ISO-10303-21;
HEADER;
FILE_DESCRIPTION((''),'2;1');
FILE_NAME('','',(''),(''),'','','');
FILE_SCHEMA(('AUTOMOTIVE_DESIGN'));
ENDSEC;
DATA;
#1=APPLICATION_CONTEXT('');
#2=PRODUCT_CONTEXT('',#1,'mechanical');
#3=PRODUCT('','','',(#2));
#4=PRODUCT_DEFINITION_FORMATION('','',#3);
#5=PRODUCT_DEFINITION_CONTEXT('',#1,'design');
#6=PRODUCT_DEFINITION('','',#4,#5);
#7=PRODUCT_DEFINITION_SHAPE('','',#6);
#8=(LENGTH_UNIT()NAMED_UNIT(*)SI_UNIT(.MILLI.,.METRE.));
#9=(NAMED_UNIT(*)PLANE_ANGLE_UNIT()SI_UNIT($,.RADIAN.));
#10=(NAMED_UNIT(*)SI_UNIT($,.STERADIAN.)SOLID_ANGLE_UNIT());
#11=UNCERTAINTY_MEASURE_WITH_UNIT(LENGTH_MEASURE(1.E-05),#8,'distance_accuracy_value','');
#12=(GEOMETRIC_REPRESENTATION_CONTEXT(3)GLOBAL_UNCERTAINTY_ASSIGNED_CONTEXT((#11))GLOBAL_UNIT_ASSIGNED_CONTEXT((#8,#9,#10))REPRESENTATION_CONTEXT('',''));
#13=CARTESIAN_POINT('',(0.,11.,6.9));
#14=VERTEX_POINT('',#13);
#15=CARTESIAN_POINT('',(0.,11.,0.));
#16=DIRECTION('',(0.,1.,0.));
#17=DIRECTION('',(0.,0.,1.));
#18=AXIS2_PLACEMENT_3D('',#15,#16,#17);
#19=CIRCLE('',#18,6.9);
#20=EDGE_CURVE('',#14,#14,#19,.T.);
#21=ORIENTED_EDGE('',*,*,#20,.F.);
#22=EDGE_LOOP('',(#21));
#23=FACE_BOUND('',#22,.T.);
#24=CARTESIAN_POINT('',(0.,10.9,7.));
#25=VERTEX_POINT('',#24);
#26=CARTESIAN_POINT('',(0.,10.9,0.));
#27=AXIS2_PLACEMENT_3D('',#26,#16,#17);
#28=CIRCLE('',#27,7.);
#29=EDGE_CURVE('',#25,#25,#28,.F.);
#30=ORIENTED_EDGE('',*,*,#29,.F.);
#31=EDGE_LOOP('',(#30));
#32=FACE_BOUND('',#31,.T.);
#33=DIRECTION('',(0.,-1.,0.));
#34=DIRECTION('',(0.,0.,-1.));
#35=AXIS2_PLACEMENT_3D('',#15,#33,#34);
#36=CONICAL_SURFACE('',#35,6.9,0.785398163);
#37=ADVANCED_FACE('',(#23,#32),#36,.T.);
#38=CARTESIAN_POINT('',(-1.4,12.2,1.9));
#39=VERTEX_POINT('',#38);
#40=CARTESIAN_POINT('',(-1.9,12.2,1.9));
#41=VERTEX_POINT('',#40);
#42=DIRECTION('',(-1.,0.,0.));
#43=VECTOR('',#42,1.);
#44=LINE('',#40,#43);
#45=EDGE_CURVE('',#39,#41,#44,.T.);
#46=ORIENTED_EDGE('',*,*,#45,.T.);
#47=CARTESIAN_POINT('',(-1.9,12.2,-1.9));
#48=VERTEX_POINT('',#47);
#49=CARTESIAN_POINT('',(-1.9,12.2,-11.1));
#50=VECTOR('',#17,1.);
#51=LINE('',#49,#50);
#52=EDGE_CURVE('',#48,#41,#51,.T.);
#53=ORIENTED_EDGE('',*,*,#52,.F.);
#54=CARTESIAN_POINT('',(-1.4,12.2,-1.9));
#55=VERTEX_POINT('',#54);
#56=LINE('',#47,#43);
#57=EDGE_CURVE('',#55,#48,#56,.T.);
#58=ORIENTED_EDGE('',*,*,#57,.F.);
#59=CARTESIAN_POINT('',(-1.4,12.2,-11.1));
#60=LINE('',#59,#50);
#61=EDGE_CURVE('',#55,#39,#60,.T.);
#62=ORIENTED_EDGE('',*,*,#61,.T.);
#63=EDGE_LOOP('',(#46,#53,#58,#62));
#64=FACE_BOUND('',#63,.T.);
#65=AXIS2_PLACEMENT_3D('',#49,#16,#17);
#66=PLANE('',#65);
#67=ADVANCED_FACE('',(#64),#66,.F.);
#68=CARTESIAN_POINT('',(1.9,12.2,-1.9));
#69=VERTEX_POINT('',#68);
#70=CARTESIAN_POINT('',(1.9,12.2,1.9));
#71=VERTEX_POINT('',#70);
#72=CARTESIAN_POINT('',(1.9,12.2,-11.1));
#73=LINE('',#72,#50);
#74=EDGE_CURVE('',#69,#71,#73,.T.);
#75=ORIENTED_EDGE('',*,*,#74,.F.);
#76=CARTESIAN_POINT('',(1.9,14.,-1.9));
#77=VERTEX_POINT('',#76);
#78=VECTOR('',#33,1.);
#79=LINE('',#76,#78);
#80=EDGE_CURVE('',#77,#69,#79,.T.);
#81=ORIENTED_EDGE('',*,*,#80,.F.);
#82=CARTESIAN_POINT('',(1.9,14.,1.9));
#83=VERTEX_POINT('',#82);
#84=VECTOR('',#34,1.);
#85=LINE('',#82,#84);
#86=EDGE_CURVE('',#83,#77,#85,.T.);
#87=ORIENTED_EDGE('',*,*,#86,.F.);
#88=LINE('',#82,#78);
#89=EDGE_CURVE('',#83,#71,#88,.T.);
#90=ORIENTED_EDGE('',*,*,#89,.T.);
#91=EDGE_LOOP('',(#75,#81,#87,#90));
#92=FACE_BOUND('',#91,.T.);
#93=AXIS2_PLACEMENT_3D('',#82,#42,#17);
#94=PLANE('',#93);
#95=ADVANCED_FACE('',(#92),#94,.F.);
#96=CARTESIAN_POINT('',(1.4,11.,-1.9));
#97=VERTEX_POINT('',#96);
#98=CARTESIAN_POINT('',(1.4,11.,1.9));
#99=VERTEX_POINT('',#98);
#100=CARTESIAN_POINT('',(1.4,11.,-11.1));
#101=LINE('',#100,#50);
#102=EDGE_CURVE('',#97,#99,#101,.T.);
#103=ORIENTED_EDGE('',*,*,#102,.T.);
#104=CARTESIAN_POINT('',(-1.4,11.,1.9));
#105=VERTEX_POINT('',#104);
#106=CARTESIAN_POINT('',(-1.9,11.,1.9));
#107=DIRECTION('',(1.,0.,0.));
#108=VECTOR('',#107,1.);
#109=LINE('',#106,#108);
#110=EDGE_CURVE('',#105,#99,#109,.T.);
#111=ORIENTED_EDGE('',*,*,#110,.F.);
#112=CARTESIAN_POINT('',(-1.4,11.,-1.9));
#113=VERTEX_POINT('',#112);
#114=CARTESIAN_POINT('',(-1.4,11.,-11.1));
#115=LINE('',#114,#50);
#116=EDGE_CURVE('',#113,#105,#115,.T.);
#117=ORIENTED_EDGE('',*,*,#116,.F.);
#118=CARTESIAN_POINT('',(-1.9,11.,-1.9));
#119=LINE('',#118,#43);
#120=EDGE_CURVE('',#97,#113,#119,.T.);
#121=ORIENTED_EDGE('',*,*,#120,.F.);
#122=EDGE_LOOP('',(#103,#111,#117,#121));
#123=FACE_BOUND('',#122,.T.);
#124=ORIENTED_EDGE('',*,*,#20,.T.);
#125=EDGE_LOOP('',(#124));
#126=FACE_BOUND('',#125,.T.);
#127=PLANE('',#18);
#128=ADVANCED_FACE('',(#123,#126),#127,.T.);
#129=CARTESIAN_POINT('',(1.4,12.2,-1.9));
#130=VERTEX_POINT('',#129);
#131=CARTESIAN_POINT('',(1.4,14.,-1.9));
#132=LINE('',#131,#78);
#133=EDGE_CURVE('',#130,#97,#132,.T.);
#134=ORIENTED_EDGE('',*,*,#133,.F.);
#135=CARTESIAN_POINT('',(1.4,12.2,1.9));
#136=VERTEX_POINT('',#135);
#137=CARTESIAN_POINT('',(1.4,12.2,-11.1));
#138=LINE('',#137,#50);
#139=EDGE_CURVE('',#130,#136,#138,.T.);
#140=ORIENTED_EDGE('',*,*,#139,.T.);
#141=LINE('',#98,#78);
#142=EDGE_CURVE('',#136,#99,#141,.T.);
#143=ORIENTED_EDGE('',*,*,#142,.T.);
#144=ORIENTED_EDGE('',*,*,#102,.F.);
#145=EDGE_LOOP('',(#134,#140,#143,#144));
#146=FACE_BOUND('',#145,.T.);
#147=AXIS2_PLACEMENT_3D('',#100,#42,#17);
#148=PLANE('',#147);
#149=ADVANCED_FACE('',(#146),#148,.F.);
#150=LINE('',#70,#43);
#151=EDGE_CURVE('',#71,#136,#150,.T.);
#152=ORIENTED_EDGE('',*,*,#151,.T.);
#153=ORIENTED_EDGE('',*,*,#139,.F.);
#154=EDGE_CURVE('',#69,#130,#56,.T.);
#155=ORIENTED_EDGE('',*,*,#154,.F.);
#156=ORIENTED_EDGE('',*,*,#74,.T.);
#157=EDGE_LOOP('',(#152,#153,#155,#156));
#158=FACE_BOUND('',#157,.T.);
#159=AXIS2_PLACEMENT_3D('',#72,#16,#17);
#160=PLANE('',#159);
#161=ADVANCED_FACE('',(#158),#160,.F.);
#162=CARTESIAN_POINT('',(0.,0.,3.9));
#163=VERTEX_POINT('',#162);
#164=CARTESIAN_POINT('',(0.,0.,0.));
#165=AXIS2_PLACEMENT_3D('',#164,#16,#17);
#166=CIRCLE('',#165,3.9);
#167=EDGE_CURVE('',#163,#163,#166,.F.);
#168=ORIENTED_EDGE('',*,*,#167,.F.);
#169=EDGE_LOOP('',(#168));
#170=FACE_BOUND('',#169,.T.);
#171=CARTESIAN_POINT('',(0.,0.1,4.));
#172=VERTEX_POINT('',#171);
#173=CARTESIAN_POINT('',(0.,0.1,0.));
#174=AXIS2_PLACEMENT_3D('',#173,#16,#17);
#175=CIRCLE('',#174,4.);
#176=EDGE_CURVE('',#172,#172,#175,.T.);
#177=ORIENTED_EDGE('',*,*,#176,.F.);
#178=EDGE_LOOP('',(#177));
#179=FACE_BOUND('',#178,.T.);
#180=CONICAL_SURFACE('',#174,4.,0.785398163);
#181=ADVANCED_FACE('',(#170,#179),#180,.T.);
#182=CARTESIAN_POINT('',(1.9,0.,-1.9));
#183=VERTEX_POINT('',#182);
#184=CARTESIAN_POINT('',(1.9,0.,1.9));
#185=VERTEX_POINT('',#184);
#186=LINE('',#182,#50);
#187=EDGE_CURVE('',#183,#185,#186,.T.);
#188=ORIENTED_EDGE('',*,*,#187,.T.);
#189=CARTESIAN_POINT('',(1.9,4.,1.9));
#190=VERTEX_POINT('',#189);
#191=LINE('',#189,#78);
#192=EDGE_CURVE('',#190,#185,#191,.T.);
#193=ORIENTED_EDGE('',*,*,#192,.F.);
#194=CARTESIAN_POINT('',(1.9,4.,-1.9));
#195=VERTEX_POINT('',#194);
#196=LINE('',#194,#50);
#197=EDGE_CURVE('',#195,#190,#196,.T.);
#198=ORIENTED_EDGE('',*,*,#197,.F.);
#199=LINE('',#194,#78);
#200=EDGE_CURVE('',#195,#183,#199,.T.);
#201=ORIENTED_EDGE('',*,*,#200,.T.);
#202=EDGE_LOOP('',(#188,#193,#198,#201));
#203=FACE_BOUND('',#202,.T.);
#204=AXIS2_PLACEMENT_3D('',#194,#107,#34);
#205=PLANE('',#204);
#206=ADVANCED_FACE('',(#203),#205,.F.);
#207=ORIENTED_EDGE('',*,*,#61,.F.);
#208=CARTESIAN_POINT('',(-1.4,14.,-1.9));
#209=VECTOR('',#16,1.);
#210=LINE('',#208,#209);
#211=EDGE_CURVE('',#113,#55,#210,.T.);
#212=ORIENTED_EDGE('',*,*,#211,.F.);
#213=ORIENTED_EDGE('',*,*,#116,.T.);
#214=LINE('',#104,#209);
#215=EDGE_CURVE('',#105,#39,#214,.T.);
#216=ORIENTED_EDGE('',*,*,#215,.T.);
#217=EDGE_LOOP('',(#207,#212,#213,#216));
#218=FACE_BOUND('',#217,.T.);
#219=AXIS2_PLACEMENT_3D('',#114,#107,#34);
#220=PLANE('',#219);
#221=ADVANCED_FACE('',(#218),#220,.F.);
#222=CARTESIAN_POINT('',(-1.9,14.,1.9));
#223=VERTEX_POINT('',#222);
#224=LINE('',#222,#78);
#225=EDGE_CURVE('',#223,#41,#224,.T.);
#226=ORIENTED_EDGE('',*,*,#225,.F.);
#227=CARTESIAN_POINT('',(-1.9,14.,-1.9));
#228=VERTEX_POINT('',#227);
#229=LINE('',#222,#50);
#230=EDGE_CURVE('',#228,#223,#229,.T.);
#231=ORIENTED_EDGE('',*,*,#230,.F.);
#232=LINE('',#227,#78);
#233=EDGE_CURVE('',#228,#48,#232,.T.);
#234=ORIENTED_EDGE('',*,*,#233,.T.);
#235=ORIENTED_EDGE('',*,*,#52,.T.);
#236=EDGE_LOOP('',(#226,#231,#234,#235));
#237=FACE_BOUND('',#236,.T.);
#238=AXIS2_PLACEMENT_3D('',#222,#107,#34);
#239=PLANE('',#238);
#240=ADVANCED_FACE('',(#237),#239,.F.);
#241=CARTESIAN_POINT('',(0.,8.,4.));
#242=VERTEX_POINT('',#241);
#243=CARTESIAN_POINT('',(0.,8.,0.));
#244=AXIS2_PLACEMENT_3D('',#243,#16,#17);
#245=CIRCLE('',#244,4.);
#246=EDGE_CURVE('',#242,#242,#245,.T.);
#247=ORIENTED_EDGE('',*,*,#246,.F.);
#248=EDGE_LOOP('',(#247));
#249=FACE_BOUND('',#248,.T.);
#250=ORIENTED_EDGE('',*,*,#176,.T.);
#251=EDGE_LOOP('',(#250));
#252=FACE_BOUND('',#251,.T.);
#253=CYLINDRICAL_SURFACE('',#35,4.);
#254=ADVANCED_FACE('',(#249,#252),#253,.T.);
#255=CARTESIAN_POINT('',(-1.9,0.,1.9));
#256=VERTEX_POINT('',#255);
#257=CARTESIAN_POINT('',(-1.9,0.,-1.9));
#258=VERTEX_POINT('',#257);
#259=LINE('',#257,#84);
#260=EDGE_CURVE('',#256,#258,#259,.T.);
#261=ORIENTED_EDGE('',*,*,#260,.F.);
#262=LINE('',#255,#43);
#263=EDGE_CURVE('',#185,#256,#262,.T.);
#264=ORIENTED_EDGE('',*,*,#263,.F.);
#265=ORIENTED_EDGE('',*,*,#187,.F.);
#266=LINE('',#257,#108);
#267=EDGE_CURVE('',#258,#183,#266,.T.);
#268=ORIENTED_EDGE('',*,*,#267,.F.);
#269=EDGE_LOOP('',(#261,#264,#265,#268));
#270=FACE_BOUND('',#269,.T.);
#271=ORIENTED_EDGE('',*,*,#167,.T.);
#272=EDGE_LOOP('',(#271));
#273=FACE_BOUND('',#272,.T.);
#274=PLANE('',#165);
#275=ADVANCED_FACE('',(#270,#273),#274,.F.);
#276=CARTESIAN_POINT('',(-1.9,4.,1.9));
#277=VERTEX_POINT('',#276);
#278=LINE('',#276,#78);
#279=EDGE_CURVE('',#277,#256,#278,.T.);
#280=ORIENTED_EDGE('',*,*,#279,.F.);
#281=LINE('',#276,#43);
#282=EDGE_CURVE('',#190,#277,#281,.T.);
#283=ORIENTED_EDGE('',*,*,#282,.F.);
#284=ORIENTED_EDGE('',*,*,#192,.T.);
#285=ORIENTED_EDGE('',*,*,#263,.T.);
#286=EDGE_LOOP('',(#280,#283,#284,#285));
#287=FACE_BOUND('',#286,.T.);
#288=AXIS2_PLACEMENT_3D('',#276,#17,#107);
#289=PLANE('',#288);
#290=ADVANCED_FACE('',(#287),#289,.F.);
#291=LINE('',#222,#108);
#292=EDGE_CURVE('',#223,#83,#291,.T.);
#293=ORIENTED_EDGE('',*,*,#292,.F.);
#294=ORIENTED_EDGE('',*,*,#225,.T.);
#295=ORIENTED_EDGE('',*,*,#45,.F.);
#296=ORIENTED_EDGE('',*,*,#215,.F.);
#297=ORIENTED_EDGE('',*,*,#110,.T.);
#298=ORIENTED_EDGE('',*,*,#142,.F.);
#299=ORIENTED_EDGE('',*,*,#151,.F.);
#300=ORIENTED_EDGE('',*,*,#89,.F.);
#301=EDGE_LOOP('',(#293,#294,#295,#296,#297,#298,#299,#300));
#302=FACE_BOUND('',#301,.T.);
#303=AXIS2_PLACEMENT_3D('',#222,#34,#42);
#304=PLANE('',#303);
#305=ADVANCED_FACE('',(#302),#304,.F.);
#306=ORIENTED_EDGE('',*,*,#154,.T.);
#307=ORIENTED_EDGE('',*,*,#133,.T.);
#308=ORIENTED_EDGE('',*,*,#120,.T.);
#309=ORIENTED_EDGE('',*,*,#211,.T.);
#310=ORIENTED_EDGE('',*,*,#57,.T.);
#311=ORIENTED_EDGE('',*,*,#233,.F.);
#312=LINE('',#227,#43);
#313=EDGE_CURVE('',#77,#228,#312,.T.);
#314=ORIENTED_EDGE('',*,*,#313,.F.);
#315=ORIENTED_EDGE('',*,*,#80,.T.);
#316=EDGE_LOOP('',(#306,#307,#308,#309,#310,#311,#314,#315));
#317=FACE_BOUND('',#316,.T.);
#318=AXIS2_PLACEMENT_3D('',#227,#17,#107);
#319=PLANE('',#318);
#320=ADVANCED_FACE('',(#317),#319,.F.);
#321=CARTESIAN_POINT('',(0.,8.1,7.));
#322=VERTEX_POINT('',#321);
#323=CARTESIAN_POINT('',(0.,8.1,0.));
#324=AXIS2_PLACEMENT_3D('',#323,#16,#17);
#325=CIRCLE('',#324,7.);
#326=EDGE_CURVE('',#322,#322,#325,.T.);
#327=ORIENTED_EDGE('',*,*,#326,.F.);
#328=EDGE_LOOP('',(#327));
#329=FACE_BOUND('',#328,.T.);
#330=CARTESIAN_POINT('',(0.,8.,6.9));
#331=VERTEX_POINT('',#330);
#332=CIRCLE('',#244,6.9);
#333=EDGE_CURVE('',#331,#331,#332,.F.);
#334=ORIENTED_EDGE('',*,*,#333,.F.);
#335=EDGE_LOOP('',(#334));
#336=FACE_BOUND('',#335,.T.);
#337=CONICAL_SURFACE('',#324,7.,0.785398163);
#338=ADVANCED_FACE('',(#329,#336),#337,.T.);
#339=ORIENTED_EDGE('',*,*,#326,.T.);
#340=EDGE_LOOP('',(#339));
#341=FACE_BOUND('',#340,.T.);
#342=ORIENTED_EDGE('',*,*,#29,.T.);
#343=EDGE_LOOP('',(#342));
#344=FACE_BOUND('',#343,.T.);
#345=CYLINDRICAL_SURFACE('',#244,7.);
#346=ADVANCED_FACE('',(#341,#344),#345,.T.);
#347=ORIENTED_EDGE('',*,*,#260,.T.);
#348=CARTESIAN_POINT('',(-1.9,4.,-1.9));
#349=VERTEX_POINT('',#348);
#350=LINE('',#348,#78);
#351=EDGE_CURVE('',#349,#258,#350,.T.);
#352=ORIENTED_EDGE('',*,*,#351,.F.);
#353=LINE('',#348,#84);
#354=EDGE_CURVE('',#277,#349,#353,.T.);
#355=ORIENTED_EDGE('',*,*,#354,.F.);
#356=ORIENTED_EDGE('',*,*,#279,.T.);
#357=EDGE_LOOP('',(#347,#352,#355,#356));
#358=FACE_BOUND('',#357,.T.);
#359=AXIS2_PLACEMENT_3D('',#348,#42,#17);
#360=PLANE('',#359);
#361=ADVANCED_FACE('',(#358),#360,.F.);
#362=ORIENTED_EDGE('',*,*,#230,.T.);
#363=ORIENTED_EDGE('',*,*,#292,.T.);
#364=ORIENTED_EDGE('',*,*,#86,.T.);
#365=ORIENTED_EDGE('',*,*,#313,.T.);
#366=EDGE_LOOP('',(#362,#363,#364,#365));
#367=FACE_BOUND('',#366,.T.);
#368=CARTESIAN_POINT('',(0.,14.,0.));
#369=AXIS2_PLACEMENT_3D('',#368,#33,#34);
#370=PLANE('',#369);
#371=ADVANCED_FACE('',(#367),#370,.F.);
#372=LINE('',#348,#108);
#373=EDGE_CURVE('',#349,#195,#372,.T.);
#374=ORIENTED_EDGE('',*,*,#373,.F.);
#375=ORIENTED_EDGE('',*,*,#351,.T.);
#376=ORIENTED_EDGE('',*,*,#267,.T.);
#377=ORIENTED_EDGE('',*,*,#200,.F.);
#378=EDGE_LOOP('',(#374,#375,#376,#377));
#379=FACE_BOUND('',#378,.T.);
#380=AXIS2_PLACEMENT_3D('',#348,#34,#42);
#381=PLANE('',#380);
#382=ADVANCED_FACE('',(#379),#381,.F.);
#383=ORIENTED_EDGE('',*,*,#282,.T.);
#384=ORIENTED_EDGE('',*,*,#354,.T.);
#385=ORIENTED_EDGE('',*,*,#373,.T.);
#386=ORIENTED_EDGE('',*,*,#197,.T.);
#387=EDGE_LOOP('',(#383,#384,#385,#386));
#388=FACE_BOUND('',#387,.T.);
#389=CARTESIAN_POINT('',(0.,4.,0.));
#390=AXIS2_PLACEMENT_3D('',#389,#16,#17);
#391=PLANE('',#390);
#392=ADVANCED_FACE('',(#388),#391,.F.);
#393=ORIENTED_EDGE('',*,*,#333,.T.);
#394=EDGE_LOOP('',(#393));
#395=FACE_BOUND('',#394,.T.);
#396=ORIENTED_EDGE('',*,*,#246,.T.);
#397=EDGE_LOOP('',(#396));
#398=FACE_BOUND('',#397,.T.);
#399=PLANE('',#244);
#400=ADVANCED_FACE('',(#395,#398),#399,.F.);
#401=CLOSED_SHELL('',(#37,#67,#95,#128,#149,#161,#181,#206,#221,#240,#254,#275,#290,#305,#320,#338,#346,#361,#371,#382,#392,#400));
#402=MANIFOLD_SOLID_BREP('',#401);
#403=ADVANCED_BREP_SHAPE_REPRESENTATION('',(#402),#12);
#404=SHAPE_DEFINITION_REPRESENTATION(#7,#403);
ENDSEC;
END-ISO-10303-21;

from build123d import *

# Parameters (mm, degrees)
SKETCH1_R           = 4
BOSS_EXTRUDE1_DEPTH = 11
SKETCH2_W           = 3.8
SKETCH2_H           = 3.8
CUT_EXTRUDE1_DEPTH  = 4
SKETCH3_W           = 3.8
SKETCH3_H           = 3.8
BOSS_EXTRUDE2_DEPTH = 3
SKETCH4_W           = 0.5
SKETCH4_H           = 1.2
CUT_EXTRUDE2_DEPTH  = 13
SKETCH5_R           = 7
BOSS_EXTRUDE3_DEPTH = 3
CHAMFER1_SIZE       = 0.1


with BuildPart() as part:
    # Sketch1 → Boss-Extrude1 (new body)
    with BuildSketch(Plane(origin=(0, 0, 0), x_dir=(1, 0, 0), z_dir=(0, 1, 0))):
        Circle(SKETCH1_R)
    extrude(amount=BOSS_EXTRUDE1_DEPTH)

    # Sketch2 → Cut-Extrude1 (cut)
    with BuildSketch(Plane.XZ):
        Rectangle(SKETCH2_W, SKETCH2_H)
    extrude(amount=-CUT_EXTRUDE1_DEPTH, mode=Mode.SUBTRACT)

    # Sketch3 → Boss-Extrude2 (add)
    with BuildSketch(Plane(origin=(0, 11, 0), x_dir=(1, 0, 0), z_dir=(0, 1, 0))):
        Rectangle(SKETCH3_W, SKETCH3_H)
    extrude(amount=BOSS_EXTRUDE2_DEPTH)

    # Sketch4 → Cut-Extrude2 (cut)
    with BuildSketch(Plane.XY.offset(1.9)):
        with Locations((-1.65, 11.6)):
            Rectangle(SKETCH4_W, SKETCH4_H)
        with Locations((1.65, 11.6)):
            Rectangle(SKETCH4_W, SKETCH4_H)
    extrude(amount=-CUT_EXTRUDE2_DEPTH, mode=Mode.SUBTRACT)

    # Sketch5 → Boss-Extrude3 (add)
    with BuildSketch(Plane(origin=(0, 11, 0), x_dir=(1, 0, 0), z_dir=(0, 1, 0))):
        Circle(SKETCH5_R)
    extrude(amount=-BOSS_EXTRUDE3_DEPTH)

    # Chamfer1
    chamfer1_edges = [part.edges().sort_by_distance(p)[0] for p in [
        (-4, 0, 0),
        (-7, 11, 0),
        (-7, 8, 0),
    ]]
    chamfer(chamfer1_edges, length=CHAMFER1_SIZE)


solid = part.part
